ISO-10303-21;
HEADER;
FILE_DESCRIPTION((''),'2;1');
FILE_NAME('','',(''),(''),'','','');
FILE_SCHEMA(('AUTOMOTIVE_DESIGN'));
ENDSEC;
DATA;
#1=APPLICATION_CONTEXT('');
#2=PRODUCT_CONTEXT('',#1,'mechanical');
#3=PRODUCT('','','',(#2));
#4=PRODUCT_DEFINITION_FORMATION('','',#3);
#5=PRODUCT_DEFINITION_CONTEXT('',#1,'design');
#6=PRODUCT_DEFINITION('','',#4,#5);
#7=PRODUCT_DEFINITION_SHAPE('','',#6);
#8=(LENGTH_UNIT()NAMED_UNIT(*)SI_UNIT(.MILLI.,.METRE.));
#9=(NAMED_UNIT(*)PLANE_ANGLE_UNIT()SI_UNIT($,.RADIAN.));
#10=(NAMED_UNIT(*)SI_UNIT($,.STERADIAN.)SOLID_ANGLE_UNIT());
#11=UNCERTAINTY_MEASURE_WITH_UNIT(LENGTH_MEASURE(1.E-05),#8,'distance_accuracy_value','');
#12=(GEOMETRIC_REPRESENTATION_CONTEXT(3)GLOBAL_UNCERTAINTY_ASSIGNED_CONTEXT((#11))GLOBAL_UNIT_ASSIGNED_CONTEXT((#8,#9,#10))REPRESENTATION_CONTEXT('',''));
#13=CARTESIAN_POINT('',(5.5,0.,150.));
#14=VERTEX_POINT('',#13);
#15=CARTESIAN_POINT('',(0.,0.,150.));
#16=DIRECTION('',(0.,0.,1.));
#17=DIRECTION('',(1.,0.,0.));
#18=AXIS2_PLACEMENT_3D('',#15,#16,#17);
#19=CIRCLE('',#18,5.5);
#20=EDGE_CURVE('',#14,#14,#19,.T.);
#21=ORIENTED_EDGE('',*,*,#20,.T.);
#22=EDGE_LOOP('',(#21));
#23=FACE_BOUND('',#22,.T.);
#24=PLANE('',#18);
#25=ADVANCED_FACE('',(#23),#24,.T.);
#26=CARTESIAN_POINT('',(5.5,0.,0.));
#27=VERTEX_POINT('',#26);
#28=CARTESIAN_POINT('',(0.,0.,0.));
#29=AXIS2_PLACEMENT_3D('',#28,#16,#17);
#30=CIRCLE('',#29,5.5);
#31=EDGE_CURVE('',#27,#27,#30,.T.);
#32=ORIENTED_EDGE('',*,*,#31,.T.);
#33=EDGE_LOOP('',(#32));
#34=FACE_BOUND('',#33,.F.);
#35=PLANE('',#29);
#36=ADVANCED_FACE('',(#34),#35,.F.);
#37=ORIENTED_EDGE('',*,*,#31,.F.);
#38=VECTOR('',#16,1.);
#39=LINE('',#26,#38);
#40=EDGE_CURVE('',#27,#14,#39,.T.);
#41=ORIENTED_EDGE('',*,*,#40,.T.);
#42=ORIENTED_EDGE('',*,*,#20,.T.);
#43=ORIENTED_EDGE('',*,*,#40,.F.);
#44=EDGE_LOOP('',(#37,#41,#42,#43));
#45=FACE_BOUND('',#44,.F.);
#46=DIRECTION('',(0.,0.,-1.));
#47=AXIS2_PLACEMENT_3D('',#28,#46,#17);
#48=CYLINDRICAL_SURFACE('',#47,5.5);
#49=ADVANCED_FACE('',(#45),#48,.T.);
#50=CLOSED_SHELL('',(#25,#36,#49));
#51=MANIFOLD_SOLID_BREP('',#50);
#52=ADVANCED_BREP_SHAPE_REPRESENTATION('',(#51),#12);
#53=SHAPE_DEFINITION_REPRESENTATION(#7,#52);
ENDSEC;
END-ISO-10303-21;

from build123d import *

# Parameters (mm, degrees)
SKETCH_R  = 5.5
PAD_DEPTH = 150


with BuildPart() as part:
    # Sketch → Pad (new body)
    with BuildSketch(Plane.XY):
        Circle(SKETCH_R)
    extrude(amount=PAD_DEPTH)


solid = part.part
